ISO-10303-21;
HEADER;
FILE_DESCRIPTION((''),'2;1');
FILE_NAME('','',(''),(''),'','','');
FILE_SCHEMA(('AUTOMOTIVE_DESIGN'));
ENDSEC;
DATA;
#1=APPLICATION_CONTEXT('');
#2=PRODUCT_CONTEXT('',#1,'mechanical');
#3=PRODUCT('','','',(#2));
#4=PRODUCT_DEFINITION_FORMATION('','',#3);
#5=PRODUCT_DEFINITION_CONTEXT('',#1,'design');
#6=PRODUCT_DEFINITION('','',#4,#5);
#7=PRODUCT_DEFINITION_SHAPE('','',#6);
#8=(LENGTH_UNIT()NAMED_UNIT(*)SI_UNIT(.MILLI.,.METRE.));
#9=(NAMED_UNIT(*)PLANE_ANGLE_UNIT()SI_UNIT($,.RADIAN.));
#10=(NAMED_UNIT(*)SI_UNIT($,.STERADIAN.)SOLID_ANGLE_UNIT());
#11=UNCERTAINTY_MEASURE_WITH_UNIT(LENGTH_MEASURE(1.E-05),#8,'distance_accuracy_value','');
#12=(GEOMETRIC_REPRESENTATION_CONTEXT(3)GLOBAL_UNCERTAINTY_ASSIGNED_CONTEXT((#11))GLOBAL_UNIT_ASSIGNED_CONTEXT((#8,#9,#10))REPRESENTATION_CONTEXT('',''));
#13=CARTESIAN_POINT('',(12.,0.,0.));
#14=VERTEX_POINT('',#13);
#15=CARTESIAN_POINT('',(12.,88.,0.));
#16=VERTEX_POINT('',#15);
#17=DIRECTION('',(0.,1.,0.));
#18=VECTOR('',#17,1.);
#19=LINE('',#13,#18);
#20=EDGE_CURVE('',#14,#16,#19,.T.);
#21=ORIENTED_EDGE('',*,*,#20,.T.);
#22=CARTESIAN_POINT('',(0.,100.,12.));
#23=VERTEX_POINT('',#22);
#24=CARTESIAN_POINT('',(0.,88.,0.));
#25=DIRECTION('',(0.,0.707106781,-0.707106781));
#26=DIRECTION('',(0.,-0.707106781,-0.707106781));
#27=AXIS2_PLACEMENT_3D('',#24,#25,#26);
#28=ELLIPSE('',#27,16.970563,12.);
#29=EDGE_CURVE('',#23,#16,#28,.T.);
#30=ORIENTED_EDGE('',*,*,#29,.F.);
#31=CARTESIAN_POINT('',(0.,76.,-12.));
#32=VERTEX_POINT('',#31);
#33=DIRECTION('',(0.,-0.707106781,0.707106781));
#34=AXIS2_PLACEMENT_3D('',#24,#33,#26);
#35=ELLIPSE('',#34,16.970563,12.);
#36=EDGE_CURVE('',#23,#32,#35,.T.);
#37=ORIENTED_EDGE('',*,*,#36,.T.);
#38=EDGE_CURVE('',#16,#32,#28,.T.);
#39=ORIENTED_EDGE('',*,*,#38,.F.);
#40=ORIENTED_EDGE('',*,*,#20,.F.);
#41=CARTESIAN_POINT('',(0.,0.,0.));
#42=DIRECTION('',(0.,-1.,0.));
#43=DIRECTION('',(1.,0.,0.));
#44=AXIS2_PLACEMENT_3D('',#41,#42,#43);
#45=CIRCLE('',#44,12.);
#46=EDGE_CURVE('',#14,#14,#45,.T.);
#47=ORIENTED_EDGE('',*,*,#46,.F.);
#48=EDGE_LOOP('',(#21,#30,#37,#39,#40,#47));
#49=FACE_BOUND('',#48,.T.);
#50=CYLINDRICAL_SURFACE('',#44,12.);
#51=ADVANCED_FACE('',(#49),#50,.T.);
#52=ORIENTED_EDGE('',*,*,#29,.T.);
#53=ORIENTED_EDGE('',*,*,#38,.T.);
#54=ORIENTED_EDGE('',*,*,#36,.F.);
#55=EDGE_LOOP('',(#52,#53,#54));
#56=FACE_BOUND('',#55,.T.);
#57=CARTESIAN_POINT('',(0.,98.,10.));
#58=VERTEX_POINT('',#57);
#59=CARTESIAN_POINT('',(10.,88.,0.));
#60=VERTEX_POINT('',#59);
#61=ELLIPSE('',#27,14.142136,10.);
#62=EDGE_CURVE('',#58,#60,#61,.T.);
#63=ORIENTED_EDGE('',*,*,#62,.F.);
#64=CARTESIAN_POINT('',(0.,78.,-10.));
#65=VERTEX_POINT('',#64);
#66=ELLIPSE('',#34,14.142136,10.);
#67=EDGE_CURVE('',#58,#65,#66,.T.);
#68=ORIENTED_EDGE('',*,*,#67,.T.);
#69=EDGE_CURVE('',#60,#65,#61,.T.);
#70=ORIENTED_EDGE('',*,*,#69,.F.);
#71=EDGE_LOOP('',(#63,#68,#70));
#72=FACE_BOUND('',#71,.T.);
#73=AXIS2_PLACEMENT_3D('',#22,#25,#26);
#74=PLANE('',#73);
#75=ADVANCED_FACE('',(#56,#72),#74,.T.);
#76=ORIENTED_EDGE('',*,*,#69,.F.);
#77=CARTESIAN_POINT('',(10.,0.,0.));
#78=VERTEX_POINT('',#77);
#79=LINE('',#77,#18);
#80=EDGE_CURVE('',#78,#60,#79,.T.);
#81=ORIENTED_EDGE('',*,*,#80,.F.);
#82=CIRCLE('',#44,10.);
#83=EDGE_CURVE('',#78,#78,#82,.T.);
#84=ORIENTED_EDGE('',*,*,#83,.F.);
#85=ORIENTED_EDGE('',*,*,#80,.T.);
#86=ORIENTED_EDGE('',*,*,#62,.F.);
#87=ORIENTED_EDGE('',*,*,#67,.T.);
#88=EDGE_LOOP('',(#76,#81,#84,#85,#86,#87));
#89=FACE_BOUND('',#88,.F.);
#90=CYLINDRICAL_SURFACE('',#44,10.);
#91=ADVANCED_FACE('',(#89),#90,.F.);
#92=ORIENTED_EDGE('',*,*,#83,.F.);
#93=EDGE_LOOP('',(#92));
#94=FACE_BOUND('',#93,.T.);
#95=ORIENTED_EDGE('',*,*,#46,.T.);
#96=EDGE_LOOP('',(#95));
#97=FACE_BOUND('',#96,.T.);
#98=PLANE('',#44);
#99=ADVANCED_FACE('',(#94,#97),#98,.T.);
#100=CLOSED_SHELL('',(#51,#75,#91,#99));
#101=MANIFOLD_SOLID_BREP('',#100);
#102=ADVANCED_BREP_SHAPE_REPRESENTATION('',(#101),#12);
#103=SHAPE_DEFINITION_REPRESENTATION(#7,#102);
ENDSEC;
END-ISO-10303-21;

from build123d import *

# Parameters (mm, degrees)
F0_R          = 12
F0_R_2        = 10
F1_DEPTH      = 100
F3_DEPTH      = 12.001
F3_DEPTH_BACK = 12.001


with BuildPart() as f1:
    # F0 (on Front) → F1 (new body)
    with BuildSketch(Plane.XZ):
        Circle(F0_R)
        Circle(F0_R_2, mode=Mode.SUBTRACT)
    extrude(amount=-F1_DEPTH)

    # F2 (on Right) → F3 (cut, two sides)
    with BuildSketch(Plane.YZ) as f3_sk:
        Polygon((100, -12), (100, 12), (76, -12), align=None)
    extrude(amount=-F3_DEPTH, mode=Mode.SUBTRACT)
    extrude(f3_sk.sketch, amount=F3_DEPTH_BACK, mode=Mode.SUBTRACT)


solid = f1.part
